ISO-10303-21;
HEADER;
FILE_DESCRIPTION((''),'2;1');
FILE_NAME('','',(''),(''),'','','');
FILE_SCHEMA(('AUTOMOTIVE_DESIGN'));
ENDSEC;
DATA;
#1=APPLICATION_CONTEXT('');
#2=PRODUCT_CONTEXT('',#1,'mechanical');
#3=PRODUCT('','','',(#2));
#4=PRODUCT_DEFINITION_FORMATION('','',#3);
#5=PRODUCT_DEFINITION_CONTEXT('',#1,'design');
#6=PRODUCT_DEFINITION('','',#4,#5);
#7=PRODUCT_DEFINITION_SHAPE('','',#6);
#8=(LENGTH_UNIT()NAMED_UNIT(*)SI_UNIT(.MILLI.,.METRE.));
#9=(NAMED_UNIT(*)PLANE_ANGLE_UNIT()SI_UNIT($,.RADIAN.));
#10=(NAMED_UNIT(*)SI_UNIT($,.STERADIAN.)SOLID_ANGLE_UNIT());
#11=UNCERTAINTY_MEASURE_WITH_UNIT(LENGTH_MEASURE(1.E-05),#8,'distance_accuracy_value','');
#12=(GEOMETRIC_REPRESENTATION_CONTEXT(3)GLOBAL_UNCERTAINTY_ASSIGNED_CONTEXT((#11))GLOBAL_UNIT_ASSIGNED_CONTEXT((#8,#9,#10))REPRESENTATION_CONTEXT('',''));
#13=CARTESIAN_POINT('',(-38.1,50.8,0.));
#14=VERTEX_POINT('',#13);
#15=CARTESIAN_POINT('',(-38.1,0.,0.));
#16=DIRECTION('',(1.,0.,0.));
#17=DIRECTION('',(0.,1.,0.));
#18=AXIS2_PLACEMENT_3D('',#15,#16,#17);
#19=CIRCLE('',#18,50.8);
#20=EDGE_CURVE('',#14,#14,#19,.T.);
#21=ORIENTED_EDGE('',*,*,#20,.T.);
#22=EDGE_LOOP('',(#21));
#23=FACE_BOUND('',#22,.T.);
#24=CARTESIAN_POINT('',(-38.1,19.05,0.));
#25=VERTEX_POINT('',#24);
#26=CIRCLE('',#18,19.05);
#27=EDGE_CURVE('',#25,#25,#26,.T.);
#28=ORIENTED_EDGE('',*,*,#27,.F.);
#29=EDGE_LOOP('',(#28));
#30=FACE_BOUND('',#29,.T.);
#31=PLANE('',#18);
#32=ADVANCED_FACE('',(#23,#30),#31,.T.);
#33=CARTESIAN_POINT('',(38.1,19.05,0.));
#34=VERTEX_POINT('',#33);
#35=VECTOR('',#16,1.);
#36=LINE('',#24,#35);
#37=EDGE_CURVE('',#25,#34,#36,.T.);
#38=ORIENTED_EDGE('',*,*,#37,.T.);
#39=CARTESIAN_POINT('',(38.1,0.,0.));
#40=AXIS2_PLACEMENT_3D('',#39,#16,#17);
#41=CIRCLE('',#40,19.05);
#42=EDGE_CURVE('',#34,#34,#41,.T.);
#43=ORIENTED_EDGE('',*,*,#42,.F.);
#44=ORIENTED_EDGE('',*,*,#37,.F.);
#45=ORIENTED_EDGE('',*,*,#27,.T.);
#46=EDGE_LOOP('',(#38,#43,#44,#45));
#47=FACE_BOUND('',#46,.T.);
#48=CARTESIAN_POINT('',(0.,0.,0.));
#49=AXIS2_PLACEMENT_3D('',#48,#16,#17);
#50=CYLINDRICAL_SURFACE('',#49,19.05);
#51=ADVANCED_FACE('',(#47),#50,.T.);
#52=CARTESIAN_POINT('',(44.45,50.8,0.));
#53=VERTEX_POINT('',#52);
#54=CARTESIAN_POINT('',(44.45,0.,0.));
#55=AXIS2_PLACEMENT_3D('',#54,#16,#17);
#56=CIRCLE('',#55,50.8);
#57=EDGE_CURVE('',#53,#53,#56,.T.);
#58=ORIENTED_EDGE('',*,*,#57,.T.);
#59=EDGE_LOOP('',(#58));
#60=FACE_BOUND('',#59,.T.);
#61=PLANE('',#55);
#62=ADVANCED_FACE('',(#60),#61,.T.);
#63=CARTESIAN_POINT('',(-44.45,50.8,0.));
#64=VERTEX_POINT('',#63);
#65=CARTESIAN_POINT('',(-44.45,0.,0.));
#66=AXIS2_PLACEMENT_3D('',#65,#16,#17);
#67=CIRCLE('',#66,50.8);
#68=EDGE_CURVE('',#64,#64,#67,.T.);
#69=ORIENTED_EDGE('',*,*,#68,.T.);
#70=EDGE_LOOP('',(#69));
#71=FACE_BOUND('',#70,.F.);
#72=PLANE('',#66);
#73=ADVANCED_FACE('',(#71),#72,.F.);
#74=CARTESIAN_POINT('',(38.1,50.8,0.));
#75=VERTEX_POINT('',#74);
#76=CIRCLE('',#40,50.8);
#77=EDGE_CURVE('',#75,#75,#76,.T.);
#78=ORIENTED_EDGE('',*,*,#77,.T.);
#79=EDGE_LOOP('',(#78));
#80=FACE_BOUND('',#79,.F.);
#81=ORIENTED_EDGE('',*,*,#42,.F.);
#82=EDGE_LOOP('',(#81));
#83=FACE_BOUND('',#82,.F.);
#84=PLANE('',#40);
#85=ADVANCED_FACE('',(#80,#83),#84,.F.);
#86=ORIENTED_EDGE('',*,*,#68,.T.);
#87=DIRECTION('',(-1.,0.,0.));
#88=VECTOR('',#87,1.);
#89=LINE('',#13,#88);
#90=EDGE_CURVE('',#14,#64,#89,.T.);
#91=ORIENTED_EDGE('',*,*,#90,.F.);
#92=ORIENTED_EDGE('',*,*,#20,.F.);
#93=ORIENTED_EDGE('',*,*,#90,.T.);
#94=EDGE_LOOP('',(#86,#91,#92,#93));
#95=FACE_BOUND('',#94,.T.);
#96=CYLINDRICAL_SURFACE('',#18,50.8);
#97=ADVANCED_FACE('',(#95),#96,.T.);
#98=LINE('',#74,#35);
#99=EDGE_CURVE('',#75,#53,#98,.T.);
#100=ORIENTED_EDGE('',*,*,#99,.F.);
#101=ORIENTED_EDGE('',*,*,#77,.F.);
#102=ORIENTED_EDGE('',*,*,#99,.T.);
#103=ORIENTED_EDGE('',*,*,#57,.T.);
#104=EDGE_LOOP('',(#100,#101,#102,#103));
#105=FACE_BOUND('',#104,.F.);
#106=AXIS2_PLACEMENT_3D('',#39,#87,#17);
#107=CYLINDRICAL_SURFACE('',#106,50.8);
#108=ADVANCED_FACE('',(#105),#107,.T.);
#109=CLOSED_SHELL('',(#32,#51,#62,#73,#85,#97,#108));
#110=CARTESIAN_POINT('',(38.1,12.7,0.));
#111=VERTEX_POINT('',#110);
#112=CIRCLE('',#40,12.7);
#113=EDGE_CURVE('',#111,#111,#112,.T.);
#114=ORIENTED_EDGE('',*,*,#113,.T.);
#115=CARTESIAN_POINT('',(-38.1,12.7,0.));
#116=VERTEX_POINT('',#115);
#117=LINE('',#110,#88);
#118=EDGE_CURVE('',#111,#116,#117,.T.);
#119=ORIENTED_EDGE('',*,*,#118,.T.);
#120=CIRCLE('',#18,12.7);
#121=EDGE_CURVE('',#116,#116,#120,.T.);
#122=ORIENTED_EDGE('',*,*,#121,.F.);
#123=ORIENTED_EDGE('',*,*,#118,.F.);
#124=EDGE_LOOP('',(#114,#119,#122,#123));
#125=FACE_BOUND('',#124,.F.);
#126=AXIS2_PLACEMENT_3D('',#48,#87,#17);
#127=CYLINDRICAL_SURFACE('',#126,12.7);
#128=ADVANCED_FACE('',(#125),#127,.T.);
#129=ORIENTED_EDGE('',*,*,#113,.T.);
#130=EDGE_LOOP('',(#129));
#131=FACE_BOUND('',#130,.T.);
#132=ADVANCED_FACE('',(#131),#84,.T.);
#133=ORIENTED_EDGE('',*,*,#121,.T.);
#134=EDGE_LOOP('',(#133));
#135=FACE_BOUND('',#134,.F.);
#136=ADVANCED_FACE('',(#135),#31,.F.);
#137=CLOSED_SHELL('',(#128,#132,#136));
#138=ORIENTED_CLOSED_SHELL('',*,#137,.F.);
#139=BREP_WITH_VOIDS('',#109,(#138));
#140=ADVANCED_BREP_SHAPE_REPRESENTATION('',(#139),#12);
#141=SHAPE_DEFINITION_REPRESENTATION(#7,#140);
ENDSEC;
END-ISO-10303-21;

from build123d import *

# Parameters (mm, degrees)
F2_R     = 50.8
F4_DEPTH = 6.35
F5_R     = 19.05
F5_R_2   = 12.7
F6_DEPTH = 38.1
F3_R     = 50.8
F7_DEPTH = 6.35


with BuildPart() as f4:
    # F2 (on offset) → F4 (new body)
    with BuildSketch(Plane.YZ.offset(-38.1)):
        Circle(F2_R)
    extrude(amount=-F4_DEPTH)

    # F5 (on Right) → F6 (join, symmetric)
    with BuildSketch(Plane.YZ):
        Circle(F5_R)
        Circle(F5_R_2, mode=Mode.SUBTRACT)
    extrude(amount=F6_DEPTH, both=True)

    # F3 (on offset) → F7 (join)
    with BuildSketch(Plane.YZ.offset(38.1)):
        Circle(F3_R)
    extrude(amount=F7_DEPTH)


solid = f4.part
